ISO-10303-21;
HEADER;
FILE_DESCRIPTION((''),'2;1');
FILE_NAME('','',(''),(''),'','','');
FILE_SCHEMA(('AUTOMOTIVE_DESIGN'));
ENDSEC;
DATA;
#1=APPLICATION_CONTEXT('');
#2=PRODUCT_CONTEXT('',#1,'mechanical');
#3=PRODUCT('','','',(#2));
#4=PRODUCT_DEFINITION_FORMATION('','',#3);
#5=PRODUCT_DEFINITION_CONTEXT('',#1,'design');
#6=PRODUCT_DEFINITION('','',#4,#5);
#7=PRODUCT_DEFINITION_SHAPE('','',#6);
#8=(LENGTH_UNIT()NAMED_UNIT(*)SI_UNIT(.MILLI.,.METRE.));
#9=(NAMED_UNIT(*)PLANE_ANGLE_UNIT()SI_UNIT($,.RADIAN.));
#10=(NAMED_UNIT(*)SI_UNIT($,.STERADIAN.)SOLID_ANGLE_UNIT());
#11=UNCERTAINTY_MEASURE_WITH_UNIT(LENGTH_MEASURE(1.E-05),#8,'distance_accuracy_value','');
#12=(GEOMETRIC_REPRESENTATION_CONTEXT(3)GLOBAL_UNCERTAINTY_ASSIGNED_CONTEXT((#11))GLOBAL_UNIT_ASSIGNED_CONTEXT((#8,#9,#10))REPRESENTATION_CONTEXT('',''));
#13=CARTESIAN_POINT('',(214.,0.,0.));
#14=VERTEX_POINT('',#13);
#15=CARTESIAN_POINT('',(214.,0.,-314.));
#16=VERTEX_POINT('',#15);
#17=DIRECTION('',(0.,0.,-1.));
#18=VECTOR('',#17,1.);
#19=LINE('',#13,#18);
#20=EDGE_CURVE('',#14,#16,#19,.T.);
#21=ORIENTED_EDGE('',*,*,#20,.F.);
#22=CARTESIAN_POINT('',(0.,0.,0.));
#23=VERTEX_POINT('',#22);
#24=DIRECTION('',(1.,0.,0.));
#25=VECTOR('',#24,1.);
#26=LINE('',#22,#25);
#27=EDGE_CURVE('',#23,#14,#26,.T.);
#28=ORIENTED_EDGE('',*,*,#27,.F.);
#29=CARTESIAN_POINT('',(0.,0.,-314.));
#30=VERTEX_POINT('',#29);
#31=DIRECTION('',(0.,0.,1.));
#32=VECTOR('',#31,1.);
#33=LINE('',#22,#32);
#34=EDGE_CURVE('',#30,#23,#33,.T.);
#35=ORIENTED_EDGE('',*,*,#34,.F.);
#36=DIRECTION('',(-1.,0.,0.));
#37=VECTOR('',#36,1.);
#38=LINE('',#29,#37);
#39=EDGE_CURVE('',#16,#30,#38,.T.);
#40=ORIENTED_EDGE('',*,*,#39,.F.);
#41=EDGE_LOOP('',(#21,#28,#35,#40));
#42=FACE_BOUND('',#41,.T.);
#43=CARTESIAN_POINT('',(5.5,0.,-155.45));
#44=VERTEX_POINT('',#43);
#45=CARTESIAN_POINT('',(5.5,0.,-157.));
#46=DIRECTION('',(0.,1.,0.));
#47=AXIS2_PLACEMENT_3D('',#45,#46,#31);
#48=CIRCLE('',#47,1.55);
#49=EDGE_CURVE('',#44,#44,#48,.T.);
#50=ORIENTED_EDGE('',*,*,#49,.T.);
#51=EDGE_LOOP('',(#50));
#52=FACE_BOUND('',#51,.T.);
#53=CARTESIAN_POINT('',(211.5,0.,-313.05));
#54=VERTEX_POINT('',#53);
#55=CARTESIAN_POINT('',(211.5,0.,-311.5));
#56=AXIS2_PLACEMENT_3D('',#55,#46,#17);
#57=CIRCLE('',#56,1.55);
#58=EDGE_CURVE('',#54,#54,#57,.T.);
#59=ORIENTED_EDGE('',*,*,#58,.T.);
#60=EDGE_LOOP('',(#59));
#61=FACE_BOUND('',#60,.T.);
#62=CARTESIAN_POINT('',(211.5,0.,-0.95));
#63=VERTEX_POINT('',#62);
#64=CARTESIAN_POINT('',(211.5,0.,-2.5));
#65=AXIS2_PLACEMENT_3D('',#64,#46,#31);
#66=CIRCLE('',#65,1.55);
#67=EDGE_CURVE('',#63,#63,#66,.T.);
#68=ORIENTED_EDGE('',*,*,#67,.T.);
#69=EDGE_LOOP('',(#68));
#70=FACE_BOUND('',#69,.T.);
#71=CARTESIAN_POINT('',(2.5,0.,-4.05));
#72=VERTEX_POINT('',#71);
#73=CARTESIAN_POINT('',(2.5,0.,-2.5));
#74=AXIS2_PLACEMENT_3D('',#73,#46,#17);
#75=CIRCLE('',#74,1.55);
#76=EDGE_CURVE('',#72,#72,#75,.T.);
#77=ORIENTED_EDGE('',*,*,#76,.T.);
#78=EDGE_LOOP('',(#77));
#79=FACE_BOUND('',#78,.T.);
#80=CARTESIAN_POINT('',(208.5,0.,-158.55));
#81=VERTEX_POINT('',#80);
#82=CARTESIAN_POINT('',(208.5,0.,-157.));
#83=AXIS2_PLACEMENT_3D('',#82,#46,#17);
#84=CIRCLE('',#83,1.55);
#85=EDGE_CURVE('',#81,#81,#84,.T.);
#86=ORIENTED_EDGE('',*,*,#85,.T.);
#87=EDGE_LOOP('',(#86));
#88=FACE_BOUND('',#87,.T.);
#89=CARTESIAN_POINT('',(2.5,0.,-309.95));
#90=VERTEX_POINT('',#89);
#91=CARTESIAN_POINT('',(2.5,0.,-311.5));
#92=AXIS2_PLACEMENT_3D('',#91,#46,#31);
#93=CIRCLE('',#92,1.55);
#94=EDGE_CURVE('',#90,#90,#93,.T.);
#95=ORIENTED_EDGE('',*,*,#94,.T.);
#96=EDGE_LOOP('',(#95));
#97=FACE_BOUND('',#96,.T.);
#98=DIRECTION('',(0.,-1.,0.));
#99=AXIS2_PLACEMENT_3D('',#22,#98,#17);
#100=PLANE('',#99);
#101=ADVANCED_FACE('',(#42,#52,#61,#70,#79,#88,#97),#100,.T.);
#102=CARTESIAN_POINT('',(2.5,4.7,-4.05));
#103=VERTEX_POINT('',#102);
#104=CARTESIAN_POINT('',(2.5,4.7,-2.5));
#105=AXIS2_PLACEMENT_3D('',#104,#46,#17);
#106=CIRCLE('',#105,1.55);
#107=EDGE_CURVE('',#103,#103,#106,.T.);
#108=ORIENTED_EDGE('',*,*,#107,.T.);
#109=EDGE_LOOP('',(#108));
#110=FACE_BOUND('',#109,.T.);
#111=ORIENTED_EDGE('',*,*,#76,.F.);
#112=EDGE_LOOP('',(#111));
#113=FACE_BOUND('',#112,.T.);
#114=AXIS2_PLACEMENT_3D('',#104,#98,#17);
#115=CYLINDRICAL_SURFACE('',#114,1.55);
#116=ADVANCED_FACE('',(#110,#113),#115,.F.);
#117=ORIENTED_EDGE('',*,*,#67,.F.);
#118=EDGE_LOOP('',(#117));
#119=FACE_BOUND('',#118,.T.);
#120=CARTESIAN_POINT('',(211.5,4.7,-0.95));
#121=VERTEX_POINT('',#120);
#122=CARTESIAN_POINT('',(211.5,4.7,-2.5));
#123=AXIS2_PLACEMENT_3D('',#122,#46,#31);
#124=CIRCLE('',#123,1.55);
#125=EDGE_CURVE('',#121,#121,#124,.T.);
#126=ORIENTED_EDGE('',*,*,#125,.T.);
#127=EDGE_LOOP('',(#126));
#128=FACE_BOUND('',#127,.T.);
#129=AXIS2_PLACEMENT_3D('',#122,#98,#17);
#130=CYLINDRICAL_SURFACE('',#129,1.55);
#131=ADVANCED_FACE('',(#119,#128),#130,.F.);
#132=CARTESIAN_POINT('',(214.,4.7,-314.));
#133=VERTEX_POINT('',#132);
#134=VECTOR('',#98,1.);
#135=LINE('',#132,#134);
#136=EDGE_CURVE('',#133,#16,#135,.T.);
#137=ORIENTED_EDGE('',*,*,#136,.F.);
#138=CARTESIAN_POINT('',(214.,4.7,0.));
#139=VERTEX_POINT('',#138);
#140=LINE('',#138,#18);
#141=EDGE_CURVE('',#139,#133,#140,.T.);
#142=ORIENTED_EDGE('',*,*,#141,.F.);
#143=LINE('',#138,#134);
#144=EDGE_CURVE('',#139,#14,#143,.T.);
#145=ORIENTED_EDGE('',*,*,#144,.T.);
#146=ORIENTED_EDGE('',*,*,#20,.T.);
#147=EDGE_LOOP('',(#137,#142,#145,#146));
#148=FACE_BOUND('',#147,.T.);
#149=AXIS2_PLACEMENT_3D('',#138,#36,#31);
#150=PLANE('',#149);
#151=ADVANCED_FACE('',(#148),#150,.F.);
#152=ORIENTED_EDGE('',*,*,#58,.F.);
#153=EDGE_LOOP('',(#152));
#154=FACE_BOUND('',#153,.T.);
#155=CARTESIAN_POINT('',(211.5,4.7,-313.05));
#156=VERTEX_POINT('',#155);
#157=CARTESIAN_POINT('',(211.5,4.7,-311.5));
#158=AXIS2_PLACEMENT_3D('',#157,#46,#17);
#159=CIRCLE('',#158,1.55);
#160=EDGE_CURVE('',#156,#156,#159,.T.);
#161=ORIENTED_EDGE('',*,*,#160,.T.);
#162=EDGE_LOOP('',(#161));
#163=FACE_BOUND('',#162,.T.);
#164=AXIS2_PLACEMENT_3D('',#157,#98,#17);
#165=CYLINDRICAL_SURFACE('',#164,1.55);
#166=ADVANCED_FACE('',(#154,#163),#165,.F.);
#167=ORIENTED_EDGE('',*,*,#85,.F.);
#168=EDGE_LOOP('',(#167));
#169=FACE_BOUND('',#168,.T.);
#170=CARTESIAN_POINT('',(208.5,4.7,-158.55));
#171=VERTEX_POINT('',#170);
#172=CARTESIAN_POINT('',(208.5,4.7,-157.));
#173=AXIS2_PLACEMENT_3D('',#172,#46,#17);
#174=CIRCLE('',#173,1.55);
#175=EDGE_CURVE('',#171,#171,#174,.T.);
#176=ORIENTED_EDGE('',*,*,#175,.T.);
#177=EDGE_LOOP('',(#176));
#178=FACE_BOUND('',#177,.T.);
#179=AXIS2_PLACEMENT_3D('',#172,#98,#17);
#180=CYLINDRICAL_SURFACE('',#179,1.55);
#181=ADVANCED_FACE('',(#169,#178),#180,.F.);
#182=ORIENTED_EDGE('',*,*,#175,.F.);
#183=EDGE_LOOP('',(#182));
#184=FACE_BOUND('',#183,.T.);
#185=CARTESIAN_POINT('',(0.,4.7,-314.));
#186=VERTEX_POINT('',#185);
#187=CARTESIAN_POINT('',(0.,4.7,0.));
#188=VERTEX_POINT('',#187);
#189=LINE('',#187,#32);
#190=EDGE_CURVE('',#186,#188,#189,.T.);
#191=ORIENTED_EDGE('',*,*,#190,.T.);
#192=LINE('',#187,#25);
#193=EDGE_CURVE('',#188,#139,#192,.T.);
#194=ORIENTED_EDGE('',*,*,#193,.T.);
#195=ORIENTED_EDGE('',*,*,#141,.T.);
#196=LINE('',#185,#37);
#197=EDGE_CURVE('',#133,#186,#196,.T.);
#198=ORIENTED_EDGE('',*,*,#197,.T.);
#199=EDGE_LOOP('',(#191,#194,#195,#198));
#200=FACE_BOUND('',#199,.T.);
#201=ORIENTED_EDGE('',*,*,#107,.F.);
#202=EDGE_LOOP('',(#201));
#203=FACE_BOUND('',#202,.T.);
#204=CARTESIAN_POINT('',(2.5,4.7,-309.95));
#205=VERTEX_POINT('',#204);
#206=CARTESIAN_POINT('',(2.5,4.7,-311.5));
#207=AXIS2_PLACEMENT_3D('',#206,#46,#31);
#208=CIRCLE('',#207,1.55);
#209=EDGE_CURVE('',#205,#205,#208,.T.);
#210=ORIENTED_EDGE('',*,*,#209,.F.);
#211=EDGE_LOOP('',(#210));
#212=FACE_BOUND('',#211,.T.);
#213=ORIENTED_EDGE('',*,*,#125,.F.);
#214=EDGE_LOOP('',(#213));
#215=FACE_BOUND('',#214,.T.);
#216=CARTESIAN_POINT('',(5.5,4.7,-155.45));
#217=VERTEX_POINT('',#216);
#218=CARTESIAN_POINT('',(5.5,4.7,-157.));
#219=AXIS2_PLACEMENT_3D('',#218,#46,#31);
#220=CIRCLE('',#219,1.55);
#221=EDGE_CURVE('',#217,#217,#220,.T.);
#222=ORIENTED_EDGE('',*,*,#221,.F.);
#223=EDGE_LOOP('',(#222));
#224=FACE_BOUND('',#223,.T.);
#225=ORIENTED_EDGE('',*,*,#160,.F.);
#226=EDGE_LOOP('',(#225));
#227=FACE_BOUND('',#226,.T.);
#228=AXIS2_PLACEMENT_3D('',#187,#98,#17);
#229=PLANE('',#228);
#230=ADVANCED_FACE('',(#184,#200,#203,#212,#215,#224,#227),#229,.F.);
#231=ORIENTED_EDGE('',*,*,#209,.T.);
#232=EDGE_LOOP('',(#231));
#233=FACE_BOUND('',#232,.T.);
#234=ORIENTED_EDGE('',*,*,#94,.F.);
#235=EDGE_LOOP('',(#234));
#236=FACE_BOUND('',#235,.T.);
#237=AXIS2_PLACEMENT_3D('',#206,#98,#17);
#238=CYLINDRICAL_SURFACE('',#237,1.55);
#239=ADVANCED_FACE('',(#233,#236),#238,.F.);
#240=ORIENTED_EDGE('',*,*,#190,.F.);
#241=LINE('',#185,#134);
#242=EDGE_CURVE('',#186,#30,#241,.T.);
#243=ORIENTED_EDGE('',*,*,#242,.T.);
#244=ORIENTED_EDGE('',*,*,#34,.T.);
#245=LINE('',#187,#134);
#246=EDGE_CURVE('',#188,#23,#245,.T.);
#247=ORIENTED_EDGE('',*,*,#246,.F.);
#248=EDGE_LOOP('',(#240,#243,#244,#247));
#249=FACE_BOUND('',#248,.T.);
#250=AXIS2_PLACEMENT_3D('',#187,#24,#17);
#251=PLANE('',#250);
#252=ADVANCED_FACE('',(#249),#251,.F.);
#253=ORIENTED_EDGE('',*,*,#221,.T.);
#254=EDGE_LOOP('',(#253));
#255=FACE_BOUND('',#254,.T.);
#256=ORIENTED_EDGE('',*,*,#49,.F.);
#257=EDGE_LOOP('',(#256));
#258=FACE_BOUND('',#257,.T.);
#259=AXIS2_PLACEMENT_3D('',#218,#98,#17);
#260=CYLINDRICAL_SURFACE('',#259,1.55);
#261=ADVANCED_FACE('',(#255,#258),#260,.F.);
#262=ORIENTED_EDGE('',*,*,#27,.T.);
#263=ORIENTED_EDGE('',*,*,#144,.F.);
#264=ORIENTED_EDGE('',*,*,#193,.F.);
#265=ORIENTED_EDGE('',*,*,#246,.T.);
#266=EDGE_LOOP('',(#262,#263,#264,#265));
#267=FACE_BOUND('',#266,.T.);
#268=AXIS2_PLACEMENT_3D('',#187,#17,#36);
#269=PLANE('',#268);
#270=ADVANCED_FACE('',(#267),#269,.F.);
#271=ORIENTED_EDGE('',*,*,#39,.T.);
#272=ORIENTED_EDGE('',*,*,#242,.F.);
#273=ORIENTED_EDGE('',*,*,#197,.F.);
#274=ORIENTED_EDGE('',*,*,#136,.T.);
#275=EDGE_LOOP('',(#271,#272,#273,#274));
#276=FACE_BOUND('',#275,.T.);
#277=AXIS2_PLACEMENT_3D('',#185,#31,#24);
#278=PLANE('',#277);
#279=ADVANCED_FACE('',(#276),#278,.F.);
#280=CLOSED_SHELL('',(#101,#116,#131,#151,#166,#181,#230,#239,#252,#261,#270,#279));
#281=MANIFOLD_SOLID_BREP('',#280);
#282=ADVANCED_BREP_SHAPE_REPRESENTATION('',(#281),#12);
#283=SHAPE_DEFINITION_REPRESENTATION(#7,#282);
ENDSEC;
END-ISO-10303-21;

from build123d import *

# Parameters (mm, degrees)
CROQUIS1_W              = 214
CROQUIS1_H              = 314
CROQUIS1_R              = 1.55
SALIENTE_EXTRUIR1_DEPTH = 4.7


with BuildPart() as part:
    # Croquis1 → Saliente-Extruir1 (new body)
    with BuildSketch(Plane(origin=(0, 0, 0), x_dir=(1, 0, 0), z_dir=(0, 1, 0))):
        with Locations((107, 157)):
            Rectangle(CROQUIS1_W, CROQUIS1_H)
        with Locations(Location((2.5, 311.5, 0), (0, 0, 270))):
            Circle(CROQUIS1_R, mode=Mode.SUBTRACT)
        with Locations(Location((211.5, 311.5, 0), (0, 0, 90))):
            Circle(CROQUIS1_R, mode=Mode.SUBTRACT)
        with Locations(Location((2.5, 2.5, 0), (0, 0, 90))):
            Circle(CROQUIS1_R, mode=Mode.SUBTRACT)
        with Locations(Location((211.5, 2.5, 0), (0, 0, 270))):
            Circle(CROQUIS1_R, mode=Mode.SUBTRACT)
        with Locations(Location((5.5, 157, 0), (0, 0, 270))):
            Circle(CROQUIS1_R, mode=Mode.SUBTRACT)
        with Locations(Location((208.5, 157, 0), (0, 0, 90))):
            Circle(CROQUIS1_R, mode=Mode.SUBTRACT)
    extrude(amount=SALIENTE_EXTRUIR1_DEPTH)


solid = part.part
